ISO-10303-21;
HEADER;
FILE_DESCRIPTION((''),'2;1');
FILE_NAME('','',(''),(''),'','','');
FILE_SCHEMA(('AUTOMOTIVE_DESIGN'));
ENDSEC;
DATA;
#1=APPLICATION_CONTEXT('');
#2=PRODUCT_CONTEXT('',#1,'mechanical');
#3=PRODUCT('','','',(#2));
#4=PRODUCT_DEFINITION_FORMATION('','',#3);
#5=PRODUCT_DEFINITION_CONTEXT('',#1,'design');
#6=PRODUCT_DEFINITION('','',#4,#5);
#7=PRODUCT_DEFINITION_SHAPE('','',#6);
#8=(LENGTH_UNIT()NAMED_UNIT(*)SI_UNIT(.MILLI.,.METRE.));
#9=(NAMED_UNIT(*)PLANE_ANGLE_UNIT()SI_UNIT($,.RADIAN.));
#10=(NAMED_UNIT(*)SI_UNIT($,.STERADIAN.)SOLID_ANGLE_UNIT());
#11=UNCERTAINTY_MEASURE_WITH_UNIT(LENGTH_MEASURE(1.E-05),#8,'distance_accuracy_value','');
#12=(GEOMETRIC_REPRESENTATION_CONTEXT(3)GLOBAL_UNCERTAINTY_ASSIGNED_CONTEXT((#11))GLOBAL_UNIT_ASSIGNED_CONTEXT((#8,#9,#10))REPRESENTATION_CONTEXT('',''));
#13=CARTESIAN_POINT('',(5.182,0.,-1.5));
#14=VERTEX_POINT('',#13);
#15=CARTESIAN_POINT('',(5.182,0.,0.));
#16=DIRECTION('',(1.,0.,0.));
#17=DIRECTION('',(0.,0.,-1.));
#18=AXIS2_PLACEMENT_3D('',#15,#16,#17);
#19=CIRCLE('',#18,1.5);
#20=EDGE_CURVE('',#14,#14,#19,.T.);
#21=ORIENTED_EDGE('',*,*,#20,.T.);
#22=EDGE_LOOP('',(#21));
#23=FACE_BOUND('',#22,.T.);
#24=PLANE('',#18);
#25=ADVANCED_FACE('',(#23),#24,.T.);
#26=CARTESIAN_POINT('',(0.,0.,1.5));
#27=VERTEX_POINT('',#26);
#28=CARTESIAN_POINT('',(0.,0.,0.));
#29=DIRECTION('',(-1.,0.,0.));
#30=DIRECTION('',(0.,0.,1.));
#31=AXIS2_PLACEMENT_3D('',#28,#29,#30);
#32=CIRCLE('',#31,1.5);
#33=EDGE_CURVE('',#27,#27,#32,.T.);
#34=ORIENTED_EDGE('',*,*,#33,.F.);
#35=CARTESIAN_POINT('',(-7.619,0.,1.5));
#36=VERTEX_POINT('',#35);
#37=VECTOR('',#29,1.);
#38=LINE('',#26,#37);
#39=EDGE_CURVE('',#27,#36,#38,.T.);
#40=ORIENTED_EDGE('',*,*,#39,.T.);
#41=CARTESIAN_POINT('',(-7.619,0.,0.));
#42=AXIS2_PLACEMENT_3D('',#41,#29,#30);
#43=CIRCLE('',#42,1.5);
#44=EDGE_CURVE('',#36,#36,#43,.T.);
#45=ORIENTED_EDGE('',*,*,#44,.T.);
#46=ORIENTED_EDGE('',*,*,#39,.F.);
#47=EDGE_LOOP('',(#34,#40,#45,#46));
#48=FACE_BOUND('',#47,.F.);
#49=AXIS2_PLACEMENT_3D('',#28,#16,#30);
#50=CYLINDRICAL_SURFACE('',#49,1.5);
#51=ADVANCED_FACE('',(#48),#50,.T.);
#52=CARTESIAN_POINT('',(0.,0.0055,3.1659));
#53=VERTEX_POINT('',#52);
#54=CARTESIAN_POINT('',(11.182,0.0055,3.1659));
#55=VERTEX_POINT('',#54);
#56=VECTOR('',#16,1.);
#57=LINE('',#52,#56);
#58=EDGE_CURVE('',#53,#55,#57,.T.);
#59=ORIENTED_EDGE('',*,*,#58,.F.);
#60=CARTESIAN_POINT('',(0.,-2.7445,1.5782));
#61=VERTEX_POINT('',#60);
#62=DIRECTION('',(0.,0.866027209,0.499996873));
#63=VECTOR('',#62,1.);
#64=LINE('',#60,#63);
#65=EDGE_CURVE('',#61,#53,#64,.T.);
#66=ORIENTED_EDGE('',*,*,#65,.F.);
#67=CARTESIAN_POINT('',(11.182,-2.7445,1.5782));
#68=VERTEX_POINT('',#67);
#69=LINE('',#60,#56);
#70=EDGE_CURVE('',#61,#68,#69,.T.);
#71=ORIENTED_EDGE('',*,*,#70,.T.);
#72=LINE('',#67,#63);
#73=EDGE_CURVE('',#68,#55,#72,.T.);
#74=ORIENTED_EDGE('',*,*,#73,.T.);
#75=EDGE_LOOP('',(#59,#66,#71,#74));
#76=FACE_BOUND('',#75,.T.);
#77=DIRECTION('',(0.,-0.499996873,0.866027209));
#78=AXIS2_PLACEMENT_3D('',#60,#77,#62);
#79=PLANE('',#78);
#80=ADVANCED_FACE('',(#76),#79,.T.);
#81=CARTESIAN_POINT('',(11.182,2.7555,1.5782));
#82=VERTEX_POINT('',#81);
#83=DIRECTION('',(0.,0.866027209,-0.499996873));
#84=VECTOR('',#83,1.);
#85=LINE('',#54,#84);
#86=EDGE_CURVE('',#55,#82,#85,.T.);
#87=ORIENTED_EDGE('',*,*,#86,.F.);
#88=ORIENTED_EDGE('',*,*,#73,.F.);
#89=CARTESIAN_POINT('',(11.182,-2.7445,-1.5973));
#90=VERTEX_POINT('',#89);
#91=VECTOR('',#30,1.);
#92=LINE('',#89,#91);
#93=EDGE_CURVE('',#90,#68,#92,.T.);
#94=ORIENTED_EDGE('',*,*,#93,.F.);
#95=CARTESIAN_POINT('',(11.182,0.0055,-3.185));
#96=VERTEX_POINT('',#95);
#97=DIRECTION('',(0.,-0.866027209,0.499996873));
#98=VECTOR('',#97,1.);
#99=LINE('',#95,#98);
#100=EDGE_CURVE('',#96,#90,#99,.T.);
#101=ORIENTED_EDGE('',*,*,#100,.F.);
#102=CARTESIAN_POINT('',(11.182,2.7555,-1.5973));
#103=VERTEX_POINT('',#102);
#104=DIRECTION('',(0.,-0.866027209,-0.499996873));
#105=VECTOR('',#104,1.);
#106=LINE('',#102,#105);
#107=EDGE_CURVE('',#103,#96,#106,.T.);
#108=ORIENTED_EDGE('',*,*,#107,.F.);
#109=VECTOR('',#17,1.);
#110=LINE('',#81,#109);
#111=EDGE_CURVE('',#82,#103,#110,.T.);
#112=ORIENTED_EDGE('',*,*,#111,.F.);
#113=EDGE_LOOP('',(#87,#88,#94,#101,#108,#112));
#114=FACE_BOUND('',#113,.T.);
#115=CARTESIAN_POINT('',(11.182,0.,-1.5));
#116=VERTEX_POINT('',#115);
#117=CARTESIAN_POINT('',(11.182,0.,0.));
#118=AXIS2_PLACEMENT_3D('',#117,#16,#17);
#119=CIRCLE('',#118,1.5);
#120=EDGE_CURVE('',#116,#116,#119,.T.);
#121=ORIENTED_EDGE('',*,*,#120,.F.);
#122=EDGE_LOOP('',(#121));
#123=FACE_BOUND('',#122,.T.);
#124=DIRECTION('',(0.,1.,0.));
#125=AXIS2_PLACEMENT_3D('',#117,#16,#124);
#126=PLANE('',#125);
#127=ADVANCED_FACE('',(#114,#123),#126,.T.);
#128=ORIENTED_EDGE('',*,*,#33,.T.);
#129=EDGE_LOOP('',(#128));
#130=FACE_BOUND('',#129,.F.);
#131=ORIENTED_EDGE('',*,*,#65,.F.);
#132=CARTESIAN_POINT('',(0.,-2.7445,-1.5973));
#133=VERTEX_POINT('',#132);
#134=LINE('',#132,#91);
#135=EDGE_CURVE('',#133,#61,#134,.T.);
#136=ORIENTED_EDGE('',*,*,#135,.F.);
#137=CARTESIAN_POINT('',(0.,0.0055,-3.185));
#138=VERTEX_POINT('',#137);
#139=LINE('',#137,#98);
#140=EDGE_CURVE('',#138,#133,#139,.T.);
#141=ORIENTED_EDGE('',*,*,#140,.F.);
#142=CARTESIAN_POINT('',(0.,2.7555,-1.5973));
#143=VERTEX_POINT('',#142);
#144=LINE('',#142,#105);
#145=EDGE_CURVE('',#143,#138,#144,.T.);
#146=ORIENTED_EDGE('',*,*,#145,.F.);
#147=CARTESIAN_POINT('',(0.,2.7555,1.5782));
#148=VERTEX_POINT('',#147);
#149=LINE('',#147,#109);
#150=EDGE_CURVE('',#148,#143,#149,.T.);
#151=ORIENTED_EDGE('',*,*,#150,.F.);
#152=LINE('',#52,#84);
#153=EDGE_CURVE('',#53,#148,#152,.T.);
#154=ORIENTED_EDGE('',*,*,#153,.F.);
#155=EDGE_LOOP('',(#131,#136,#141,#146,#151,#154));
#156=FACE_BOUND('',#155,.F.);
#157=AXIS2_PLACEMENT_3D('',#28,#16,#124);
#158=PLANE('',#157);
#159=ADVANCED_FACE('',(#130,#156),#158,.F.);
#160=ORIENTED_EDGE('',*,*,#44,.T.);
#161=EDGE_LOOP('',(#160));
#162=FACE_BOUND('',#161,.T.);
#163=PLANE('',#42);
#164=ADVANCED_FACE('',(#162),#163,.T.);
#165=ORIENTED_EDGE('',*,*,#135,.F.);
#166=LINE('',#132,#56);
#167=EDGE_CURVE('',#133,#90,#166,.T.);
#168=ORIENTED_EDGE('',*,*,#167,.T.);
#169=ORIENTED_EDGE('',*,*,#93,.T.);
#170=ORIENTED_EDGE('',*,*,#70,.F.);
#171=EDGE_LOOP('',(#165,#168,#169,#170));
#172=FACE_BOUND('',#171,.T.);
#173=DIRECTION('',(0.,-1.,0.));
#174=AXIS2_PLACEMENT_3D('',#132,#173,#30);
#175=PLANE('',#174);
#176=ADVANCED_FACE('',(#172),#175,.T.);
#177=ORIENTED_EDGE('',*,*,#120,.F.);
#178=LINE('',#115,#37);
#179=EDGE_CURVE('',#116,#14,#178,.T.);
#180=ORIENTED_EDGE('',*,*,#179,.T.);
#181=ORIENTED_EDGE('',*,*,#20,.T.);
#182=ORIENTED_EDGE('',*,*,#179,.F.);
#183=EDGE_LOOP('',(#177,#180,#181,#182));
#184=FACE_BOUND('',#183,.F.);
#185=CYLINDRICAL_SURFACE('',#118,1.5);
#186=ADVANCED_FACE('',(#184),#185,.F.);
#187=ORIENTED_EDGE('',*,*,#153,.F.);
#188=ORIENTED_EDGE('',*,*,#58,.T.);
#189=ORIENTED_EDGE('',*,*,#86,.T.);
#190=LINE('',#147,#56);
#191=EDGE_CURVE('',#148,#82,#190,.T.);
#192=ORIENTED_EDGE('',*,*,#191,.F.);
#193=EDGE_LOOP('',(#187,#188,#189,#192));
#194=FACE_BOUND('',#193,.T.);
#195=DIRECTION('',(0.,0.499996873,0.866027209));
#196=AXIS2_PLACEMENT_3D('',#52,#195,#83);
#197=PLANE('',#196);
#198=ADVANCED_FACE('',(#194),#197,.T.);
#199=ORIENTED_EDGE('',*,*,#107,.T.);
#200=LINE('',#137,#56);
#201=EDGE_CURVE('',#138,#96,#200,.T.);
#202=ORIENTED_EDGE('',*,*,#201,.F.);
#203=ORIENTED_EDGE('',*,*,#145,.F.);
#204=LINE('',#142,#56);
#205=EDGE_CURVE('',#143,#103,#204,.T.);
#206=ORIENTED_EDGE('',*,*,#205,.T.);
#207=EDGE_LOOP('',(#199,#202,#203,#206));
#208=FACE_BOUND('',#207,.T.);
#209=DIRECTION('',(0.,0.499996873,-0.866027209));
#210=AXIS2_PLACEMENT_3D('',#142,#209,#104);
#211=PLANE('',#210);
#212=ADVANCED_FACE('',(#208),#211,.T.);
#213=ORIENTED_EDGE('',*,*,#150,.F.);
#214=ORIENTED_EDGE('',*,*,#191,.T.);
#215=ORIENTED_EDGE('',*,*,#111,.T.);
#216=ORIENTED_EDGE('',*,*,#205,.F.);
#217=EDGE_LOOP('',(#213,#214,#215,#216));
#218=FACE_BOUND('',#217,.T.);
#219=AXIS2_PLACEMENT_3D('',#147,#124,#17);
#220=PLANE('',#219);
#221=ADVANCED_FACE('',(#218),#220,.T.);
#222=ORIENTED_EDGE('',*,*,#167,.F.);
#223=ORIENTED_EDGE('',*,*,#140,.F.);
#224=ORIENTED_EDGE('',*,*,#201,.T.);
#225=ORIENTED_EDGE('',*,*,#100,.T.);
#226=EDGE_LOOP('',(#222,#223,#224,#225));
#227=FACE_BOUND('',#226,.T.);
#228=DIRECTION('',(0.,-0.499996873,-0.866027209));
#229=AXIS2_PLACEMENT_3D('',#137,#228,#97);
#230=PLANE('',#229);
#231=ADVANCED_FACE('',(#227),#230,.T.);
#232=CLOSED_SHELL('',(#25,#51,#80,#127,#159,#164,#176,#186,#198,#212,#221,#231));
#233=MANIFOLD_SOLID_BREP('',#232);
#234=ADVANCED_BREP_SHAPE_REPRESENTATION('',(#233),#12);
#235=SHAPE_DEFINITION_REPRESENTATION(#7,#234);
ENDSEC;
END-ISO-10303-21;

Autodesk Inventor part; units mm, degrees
ref_plane "YZ Plane" through (0, 0, 0) normal (1, 0, 0) x (0, 1, 0)
ref_plane "XZ Plane" through (0, 0, 0) normal (0, 1, 0) x (-1, 0, 0)
ref_plane "XY Plane" through (0, 0, 0) normal (0, 0, 1) x (1, 0, 0)
sketch "Sketch1" plane through (0, 0, 0) normal (1, 0, 0) x (0, 1, 0)
  line L0 (0.0055, 3.1659) -> (2.7555, 1.5782)
  line L1 (2.7555, 1.5782) -> (2.7555, -1.5973)
  line L2 (2.7555, -1.5973) -> (0.0055, -3.185)
  line L3 (0.0055, -3.185) -> (-2.7445, -1.5973)
  line L4 (-2.7445, -1.5973) -> (-2.7445, 1.5782)
  line L5 (-2.7445, 1.5782) -> (0.0055, 3.1659)
  point P0 (0.0055, -0.0095)
  dimension "d1" = 5.5
extrude "Extrusion1" add sketch "Sketch1" along normal blind 11.182
sketch "Sketch2" plane through (0, 0, 0) normal (-1, 0, 0) x (0, 0, 1)
  circle A0 centre (0, 0) radius 1.5
  dimension "d4" = 3
extrude "Extrusion2" add sketch "Sketch2" along normal blind 7.619
sketch "Sketch3" plane through (11.182, 0, 0) normal (1, 0, 0) x (0, 0, -1)
  circle A0 centre (0, 0) radius 1.5
  dimension "d7" = 3
extrude "Extrusion3" cut sketch "Sketch3" against normal blind 6
properties part number "Spacer" material "Brass, Soft Yellow"
